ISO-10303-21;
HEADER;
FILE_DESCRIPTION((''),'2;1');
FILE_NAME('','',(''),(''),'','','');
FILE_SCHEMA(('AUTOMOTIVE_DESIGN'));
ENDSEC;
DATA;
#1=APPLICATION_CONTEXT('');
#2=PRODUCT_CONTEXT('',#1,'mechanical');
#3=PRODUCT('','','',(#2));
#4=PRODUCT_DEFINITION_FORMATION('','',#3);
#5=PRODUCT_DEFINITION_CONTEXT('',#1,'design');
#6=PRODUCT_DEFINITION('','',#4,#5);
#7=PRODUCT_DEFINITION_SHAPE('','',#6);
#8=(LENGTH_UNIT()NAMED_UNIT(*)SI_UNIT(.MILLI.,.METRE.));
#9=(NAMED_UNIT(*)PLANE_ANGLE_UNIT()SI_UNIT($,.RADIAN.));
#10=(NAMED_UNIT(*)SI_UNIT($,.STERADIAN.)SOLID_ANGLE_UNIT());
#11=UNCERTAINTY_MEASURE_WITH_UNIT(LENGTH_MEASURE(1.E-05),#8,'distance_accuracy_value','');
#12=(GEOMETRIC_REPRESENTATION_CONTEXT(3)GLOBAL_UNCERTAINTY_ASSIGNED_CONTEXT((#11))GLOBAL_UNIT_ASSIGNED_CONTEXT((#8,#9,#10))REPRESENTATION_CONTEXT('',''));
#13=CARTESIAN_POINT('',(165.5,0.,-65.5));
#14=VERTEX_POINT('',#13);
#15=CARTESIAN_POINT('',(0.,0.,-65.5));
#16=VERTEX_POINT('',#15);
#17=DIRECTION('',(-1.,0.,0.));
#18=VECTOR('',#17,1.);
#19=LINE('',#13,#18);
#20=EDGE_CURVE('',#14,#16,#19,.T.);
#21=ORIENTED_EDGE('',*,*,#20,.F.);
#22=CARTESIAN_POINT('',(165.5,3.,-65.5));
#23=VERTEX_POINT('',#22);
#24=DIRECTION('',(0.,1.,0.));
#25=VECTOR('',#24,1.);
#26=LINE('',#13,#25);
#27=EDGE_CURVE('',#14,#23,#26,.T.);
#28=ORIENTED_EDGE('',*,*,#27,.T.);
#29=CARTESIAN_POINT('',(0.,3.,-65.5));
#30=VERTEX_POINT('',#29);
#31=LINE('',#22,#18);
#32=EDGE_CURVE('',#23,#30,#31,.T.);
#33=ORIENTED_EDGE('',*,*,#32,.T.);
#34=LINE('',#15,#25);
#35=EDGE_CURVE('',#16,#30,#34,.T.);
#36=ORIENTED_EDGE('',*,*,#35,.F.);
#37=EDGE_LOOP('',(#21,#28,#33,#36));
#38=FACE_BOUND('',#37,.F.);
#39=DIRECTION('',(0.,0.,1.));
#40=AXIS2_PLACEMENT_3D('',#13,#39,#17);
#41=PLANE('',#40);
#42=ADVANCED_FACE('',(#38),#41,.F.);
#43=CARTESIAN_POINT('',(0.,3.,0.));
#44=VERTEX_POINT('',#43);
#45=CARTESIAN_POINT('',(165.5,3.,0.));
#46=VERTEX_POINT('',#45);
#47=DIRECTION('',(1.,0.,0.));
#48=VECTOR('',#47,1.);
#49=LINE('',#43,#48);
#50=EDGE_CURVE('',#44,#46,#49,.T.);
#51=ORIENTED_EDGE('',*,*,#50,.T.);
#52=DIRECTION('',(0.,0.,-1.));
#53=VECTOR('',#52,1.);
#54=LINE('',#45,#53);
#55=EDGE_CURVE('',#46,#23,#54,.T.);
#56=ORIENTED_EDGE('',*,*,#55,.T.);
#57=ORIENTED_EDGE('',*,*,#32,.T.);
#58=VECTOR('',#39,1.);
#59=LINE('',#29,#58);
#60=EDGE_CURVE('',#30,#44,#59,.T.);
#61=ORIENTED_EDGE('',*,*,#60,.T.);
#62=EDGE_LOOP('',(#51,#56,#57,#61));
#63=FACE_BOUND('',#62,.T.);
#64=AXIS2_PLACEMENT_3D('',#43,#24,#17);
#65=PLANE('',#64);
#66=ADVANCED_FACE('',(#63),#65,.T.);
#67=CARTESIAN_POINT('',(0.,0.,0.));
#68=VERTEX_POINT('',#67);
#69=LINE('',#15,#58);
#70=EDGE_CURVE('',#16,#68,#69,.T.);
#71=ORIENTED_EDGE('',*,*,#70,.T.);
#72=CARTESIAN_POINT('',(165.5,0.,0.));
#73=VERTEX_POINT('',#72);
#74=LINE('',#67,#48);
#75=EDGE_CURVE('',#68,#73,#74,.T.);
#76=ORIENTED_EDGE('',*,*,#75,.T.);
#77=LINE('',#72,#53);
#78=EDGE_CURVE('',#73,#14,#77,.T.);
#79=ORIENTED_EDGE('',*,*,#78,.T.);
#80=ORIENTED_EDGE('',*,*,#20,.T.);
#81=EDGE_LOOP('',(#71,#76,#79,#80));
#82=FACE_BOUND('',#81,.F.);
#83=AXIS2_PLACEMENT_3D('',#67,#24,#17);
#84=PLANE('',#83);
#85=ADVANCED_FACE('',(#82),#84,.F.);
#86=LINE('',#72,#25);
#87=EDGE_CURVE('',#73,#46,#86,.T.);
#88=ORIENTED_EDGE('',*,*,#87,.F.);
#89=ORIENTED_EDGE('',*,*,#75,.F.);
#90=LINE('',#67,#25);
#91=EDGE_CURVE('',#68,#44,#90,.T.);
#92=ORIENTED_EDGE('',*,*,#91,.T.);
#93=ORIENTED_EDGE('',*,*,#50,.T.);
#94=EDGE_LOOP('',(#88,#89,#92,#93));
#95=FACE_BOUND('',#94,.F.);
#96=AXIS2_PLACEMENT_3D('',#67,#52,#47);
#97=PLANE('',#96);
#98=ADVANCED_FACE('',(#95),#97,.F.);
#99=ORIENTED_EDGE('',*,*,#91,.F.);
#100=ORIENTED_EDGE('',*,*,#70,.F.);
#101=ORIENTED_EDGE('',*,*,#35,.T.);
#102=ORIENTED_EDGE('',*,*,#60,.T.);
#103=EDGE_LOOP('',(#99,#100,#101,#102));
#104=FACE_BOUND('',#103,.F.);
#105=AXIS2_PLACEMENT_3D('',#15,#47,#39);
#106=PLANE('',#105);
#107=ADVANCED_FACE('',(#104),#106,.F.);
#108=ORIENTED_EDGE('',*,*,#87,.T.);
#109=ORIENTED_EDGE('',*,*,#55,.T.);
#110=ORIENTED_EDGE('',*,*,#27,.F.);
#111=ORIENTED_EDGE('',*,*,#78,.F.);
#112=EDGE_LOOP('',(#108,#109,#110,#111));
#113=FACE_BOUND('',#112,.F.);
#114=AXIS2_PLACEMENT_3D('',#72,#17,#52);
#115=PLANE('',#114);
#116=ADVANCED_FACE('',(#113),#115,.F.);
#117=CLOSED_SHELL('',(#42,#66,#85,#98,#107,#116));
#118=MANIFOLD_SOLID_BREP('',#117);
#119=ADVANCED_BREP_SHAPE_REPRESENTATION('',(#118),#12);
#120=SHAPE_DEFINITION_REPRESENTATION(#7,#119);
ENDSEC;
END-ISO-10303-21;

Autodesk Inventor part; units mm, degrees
ref_plane "YZ Plane" through (0, 0, 0) normal (1, 0, 0) x (0, 1, 0)
ref_plane "XZ Plane" through (0, 0, 0) normal (0, 1, 0) x (-1, 0, 0)
ref_plane "XY Plane" through (0, 0, 0) normal (0, 0, 1) x (1, 0, 0)
sketch "Skizze1" plane through (0, 0, 0) normal (0, 1, 0) x (-1, 0, 0)
  line L0 (0, 0) -> (-165.5, 0)
  line L1 (-165.5, 0) -> (-165.5, -65.5)
  line L2 (-165.5, -65.5) -> (0, -65.5)
  line L3 (0, -65.5) -> (0, 0)
  line L4 (-39.75, -43.25) -> (-57.75, -43.25)
  line L5 (-57.75, -43.25) -> (-57.75, -22.25)
  line L6 (-57.75, -22.25) -> (-39.75, -22.25)
  line L7 (-39.75, -22.25) -> (-39.75, -43.25)
  line L8 (-107.75, -22.25) -> (-125.75, -22.25)
  line L9 (-125.75, -22.25) -> (-125.75, -43.25)
  line L10 (-125.75, -43.25) -> (-107.75, -43.25)
  line L11 (-107.75, -43.25) -> (-107.75, -22.25)
  line L12 (-57.75, -32.75) -> (-107.75, -32.75) construction
  point P0 (-39.75, -32.75)
  point P1 (0, -32.75)
  point P2 (-125.75, -32.75)
  point P3 (-165.5, -32.75)
  point P4 (-82.75, -32.75)
  point P5 (-82.75, 0)
  dimension "d0" = 165.5
  dimension "d1" = 65.5
  dimension "d4" = 21
  dimension "d5" = 18
  dimension "d6" = 50
extrude "Extrusion1" add sketch "Skizze1" along normal blind 3 contours L3 L2 L1 L0 | L4 L5 L6 L7 | L11 L10 L9 L8
properties part number "wood_front"
